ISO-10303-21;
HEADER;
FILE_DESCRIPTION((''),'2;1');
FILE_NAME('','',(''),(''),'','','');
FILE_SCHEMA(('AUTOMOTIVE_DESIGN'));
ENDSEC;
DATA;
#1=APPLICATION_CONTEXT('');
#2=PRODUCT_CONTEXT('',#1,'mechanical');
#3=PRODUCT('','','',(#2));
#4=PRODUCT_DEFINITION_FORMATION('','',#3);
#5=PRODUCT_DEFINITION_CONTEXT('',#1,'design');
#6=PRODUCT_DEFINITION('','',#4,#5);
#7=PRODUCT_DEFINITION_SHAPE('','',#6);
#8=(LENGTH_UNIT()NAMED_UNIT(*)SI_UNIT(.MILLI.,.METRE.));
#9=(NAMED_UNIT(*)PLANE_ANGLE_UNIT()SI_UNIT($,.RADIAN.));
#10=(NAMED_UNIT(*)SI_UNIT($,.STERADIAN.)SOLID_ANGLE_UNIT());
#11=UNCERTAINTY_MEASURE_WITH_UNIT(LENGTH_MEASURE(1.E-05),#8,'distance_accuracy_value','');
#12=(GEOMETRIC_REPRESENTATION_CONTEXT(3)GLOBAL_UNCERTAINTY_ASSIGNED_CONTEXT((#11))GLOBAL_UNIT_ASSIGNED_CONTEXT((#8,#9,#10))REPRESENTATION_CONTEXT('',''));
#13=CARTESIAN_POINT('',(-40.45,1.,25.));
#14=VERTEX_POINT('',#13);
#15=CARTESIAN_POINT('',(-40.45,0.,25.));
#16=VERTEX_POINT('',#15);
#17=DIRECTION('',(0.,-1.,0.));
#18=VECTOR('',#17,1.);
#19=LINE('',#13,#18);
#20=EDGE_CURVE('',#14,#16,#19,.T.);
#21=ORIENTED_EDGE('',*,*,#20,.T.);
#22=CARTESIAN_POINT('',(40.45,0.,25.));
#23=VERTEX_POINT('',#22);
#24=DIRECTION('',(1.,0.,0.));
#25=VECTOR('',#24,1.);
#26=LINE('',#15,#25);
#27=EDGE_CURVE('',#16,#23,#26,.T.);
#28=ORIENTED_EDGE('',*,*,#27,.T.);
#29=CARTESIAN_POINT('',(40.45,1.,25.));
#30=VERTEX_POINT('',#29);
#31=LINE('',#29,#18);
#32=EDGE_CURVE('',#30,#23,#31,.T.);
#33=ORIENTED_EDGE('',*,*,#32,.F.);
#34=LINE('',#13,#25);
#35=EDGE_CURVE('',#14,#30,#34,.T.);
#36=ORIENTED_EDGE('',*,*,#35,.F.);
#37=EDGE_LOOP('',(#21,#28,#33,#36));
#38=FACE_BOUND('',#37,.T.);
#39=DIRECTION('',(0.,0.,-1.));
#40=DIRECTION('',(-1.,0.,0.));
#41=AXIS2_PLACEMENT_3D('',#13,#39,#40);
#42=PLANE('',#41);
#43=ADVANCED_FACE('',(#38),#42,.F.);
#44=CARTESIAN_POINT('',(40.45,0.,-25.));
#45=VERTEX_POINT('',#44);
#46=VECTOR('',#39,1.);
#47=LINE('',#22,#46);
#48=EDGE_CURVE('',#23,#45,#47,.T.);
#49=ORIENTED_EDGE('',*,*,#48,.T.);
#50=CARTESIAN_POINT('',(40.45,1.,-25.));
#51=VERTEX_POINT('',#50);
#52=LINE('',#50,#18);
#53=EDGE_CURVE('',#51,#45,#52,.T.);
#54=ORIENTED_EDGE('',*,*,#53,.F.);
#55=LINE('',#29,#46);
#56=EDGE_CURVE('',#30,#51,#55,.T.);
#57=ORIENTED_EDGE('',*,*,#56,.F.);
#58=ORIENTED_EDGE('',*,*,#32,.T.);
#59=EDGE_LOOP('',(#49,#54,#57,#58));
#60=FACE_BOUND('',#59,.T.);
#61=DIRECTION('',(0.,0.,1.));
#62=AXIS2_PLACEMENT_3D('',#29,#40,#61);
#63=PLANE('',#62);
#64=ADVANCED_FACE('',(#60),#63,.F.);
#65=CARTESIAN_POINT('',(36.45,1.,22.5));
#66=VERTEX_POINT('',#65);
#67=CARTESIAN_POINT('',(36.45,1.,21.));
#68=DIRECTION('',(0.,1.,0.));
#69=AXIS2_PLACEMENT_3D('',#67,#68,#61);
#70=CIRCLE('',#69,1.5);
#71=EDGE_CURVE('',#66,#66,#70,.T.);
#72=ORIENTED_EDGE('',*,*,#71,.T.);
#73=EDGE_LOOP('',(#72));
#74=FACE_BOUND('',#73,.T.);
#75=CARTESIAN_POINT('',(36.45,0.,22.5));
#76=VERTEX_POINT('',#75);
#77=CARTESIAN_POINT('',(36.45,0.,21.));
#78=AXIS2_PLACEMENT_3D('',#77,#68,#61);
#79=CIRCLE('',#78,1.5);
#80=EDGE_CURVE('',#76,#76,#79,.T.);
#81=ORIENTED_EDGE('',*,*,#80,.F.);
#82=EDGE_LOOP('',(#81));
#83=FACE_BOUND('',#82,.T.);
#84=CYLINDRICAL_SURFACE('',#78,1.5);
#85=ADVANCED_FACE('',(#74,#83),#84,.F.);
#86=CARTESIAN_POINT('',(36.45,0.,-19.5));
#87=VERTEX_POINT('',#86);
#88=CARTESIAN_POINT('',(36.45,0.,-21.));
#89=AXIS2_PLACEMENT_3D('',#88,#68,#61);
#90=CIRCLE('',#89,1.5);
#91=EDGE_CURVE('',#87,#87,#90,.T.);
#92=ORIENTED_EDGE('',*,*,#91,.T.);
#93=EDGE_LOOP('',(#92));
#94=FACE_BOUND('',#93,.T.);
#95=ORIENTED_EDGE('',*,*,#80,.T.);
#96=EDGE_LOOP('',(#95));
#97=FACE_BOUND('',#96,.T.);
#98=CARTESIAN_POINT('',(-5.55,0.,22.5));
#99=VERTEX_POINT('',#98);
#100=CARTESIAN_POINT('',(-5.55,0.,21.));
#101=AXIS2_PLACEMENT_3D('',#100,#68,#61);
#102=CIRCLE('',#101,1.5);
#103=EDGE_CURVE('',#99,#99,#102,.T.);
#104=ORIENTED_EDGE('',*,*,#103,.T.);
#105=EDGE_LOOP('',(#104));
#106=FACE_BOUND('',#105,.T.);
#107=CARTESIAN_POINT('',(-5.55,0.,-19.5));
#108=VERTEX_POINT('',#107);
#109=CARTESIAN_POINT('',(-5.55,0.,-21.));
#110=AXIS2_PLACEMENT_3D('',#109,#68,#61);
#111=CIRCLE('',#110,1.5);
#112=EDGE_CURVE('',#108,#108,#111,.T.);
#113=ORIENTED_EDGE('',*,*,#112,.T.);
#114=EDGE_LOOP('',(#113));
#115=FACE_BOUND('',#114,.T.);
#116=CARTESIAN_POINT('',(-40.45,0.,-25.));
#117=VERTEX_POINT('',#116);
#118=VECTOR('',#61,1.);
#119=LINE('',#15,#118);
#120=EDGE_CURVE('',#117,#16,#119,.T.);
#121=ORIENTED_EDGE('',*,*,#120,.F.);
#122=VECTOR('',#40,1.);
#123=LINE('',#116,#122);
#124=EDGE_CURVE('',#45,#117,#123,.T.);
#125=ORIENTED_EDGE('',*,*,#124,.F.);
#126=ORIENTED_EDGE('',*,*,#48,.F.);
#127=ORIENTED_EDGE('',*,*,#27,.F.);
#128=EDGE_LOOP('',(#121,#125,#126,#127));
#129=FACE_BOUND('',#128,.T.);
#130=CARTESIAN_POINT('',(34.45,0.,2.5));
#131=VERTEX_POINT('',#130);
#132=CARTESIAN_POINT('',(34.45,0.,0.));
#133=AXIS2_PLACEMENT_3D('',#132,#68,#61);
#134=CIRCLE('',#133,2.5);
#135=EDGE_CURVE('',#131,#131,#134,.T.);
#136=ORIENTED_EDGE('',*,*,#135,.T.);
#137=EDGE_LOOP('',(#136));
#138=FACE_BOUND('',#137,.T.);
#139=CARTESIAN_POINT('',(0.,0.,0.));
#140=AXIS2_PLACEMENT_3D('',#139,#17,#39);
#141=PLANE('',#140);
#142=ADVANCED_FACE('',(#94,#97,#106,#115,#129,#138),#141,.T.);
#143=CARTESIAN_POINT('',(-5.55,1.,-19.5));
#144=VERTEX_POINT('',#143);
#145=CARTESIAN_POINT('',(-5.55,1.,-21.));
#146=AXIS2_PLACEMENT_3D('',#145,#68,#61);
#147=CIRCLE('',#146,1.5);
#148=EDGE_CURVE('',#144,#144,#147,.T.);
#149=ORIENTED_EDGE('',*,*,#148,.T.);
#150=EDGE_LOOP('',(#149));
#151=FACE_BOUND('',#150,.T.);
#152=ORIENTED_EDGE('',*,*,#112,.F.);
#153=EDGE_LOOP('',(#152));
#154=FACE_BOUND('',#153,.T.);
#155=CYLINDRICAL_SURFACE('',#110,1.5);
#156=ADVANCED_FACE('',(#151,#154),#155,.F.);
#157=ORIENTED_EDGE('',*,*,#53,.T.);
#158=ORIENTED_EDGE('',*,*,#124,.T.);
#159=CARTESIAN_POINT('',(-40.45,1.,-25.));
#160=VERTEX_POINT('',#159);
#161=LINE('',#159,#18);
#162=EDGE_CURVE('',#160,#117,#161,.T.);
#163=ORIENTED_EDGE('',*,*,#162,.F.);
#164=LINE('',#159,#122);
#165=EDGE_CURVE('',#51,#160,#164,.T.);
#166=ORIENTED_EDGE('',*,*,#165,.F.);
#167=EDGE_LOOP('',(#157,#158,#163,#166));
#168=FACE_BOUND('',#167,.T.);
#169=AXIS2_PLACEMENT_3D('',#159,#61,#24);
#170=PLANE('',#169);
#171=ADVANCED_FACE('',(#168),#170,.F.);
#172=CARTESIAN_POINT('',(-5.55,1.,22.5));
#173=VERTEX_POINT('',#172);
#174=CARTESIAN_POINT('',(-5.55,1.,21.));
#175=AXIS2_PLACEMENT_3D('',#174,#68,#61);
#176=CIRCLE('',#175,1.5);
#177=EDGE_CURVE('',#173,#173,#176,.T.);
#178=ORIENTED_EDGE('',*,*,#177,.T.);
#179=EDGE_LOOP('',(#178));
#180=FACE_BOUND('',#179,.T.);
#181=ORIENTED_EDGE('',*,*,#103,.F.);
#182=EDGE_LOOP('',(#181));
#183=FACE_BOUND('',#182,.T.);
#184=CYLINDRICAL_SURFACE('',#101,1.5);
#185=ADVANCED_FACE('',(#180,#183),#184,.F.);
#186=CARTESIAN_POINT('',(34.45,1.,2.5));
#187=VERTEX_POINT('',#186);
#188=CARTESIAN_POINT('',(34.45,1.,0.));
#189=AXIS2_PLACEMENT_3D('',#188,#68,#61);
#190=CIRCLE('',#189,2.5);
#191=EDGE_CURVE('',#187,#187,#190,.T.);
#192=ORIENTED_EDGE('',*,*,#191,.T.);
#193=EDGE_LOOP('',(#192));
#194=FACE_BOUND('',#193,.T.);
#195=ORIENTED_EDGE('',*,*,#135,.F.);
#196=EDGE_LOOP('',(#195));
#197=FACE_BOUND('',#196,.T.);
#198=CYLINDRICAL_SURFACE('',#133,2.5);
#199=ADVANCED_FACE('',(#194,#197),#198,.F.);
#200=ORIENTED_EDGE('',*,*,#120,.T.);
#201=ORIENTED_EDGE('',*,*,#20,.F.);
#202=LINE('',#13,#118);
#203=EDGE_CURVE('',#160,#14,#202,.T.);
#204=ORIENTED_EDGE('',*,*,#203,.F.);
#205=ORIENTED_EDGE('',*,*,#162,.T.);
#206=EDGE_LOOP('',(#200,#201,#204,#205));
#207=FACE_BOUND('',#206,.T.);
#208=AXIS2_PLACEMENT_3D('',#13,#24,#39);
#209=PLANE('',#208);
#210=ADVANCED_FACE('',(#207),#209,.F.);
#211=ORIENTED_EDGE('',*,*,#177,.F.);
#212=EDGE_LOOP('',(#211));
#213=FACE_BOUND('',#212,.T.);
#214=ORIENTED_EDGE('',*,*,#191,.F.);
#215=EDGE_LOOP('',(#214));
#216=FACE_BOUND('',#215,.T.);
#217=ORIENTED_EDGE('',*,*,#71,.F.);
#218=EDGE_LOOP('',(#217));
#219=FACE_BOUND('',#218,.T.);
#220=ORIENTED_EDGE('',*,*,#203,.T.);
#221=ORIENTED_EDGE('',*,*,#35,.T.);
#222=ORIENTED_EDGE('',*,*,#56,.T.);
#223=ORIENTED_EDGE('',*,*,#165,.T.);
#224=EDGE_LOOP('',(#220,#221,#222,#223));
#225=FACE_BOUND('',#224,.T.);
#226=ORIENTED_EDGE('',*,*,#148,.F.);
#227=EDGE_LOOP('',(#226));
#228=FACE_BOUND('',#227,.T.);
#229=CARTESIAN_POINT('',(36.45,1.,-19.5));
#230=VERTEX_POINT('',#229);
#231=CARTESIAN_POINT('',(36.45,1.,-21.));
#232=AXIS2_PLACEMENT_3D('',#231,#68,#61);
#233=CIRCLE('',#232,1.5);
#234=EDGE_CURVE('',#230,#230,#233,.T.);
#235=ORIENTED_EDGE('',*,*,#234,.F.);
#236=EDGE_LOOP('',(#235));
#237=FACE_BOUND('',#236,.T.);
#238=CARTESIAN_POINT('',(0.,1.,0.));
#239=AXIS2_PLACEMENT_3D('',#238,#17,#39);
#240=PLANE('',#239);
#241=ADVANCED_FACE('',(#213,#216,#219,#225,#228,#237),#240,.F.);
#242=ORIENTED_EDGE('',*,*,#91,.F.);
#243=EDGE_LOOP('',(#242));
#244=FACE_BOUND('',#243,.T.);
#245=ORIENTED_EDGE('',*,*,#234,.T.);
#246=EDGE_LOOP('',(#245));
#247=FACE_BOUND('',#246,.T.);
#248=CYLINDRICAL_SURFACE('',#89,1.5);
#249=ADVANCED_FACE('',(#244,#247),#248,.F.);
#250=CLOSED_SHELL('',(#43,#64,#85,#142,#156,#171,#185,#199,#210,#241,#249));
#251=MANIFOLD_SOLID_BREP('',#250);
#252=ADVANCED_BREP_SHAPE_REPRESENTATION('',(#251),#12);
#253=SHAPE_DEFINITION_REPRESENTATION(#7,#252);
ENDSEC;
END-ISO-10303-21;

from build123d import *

# Parameters (mm, degrees)
ESBO_O1_W                = 80.9
ESBO_O1_H                = 50
RESSALTO_EXTRUS_O1_DEPTH = 1
ESBO_O2_R                = 1.5
ESBO_O2_R_2              = 2.5
CORTE_EXTRUS_O1_DEPTH    = 48.562616623


with BuildPart() as part:
    # Esboço1 → Ressalto-extrusão1 (new body)
    with BuildSketch(Plane(origin=(0, 0, 0), x_dir=(1, 0, 0), z_dir=(0, 1, 0))):
        Rectangle(ESBO_O1_W, ESBO_O1_H)
    extrude(amount=RESSALTO_EXTRUS_O1_DEPTH)

    # Esboço2 → Corte-extrusão1 (cut, through all)
    with BuildSketch(Plane(origin=(0, 1, 0), x_dir=(1, 0, 0), z_dir=(0, 1, 0))):
        with Locations(Location((36.45, 21, 0), (0, 0, 270))):
            Circle(ESBO_O2_R)
        with Locations(Location((36.45, -21, 0), (0, 0, 270))):
            Circle(ESBO_O2_R)
        with Locations(Location((-5.55, -21, 0), (0, 0, 270))):
            Circle(ESBO_O2_R)
        with Locations(Location((-5.55, 21, 0), (0, 0, 270))):
            Circle(ESBO_O2_R)
        with Locations(Location((34.45, 0, 0), (0, 0, 270))):
            Circle(ESBO_O2_R_2)
    extrude(amount=-CORTE_EXTRUS_O1_DEPTH, mode=Mode.SUBTRACT)


solid = part.part
